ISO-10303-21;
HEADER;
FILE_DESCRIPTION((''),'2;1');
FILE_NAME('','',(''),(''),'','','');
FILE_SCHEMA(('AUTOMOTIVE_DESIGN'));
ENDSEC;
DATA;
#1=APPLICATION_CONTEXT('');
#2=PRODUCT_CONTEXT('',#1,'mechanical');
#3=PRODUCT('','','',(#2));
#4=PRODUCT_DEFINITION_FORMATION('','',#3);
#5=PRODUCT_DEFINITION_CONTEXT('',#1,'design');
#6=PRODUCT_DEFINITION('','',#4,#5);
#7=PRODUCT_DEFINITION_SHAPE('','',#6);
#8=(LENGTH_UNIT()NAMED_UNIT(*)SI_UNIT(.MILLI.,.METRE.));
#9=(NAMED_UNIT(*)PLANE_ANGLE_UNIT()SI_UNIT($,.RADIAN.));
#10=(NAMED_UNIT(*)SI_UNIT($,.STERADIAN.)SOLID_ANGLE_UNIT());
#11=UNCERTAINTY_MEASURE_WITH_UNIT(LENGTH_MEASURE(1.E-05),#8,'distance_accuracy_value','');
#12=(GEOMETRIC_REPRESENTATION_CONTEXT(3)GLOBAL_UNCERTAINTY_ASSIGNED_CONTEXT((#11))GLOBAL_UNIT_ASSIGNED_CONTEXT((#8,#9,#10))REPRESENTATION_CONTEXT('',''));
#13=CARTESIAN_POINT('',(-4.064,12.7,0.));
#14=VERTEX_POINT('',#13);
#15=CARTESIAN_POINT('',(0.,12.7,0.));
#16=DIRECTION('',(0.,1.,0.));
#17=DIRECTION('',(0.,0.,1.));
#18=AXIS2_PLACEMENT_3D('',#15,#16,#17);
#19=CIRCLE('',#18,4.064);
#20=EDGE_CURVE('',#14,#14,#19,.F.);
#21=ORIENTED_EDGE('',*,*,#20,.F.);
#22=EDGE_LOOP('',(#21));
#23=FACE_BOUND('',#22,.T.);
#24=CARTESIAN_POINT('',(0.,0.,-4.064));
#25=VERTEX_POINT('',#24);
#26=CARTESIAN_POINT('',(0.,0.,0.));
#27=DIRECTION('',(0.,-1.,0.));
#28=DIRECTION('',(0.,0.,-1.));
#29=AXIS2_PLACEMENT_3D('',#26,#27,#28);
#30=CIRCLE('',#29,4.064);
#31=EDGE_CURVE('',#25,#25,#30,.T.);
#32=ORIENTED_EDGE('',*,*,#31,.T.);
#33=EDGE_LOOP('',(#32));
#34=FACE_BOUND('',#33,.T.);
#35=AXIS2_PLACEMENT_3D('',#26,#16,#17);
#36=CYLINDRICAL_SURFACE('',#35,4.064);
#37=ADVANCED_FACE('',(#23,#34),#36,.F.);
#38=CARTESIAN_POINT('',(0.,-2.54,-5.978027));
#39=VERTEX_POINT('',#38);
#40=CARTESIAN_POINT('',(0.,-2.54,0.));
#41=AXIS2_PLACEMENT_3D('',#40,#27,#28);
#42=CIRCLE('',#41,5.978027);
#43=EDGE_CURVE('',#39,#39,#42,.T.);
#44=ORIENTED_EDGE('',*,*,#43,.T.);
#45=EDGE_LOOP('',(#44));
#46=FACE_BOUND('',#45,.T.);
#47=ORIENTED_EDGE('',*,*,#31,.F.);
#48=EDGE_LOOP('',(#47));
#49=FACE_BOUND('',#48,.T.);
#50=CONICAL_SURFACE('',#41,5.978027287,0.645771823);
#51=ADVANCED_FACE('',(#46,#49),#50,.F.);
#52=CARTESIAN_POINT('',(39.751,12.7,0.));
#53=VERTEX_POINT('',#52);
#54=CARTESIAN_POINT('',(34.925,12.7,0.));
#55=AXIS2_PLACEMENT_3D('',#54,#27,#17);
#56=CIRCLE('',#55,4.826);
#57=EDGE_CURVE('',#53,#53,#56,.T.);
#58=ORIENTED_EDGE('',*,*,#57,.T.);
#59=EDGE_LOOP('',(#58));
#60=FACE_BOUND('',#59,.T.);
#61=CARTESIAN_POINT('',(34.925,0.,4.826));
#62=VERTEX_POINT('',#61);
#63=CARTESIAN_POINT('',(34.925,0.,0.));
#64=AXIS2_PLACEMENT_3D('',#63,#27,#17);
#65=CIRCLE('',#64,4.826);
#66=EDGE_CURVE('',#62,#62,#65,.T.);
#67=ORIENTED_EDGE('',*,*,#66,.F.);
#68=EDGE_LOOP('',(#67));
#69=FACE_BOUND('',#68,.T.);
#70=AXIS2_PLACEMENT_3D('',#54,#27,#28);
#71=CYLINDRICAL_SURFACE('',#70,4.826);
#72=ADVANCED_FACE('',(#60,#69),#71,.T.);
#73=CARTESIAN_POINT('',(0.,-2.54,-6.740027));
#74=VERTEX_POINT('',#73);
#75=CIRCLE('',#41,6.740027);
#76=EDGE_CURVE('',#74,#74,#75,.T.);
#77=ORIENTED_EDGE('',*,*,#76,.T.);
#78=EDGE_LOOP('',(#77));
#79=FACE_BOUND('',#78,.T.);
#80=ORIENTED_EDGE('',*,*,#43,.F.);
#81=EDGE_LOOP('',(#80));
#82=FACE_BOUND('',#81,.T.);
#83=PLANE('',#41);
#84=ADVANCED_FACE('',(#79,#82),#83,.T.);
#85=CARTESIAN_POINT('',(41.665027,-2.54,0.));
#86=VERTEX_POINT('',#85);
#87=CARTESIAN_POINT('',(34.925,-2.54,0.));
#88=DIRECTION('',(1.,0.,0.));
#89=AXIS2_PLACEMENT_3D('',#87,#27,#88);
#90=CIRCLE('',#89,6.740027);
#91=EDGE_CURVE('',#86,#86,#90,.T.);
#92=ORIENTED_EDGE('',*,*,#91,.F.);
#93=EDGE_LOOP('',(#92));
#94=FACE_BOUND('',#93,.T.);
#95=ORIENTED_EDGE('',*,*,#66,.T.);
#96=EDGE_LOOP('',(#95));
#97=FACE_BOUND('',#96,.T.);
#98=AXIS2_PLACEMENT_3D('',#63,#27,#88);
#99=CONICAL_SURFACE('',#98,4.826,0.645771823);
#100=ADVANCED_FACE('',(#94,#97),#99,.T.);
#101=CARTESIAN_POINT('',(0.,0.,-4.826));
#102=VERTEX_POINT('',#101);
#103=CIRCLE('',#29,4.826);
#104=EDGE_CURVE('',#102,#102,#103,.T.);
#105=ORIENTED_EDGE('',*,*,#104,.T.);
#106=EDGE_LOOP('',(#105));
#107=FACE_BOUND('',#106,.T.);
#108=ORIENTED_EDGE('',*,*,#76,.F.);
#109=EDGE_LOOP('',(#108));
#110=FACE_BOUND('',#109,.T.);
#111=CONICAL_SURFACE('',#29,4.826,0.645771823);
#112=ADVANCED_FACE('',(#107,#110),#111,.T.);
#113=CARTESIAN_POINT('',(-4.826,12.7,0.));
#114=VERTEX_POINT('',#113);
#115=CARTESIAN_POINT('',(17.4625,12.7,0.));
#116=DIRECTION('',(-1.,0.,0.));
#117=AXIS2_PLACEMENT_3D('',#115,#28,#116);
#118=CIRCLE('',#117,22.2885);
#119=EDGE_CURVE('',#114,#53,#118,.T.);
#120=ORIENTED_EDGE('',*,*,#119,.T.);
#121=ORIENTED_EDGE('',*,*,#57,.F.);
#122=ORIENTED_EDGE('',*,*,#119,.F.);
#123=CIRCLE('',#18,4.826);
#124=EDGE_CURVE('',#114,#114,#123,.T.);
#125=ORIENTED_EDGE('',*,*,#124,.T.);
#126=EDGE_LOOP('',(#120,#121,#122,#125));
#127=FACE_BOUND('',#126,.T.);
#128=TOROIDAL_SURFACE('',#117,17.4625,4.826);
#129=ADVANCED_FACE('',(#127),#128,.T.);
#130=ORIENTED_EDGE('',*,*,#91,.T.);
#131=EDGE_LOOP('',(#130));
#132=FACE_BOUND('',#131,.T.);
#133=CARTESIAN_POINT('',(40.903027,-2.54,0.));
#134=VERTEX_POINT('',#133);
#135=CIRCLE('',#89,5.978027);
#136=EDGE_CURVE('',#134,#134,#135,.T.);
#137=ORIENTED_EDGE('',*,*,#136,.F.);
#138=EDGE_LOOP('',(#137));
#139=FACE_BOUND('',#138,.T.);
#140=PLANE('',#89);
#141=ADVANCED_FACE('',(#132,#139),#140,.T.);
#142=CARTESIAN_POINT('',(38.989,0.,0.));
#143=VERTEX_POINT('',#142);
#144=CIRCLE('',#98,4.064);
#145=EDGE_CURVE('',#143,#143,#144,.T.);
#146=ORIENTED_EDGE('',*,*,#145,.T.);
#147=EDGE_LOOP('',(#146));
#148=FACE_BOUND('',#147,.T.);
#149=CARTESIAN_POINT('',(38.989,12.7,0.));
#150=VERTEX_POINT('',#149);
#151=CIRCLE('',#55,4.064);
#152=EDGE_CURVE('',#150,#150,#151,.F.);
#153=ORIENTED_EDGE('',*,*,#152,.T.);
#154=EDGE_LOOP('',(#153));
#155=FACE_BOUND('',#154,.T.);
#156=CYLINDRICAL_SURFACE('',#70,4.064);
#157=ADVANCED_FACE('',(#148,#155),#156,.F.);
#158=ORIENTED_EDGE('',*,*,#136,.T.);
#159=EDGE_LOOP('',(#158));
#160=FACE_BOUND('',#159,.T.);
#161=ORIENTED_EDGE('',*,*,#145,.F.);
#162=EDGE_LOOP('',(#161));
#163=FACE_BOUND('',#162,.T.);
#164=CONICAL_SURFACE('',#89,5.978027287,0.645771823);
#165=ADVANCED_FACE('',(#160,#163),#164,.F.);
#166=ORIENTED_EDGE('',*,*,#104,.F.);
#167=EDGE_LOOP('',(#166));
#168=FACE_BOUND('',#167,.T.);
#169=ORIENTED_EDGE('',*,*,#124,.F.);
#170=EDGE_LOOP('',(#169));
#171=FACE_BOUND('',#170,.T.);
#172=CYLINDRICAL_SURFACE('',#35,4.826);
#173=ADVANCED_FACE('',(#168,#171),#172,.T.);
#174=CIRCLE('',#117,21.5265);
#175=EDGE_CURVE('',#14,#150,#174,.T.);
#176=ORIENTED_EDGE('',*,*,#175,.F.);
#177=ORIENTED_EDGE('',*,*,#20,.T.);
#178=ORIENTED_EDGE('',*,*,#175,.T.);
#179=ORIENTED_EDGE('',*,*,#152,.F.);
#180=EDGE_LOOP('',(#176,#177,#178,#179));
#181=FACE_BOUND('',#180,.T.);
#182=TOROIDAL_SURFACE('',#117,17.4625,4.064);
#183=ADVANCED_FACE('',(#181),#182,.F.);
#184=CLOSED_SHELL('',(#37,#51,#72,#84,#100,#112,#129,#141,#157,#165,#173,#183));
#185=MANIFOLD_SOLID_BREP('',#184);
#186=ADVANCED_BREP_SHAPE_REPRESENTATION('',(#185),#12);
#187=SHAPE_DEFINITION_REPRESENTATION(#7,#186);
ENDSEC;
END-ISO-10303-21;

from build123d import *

# Parameters (mm, degrees)
SKETCH1_R           = 4.826
SKETCH1_R_2         = 4.064
SKETCH3_R           = 4.826
BOSS_EXTRUDE1_DEPTH = 2.54
BOSS_EXTRUDE1_DRAFT = -37
SKETCH5_R           = 4.826
BOSS_EXTRUDE2_DEPTH = 2.54
BOSS_EXTRUDE2_DRAFT = -37


with BuildPart() as part:
    # Sweep1: sweep along a path in Sketch2
    with BuildLine(Plane.XY) as sweep1_path:
        Line((0, 0), (0, 12.7))
        ThreePointArc((0, 12.7), (17.4625, 30.1625), (34.925, 12.7))
        Line((34.925, 12.7), (34.925, 0))
    # Sketch1 → Sweep1 (sweep)
    with BuildSketch(Plane(origin=(0, 0, 0), x_dir=(1, 0, 0), z_dir=(0, 1, 0))):
        Circle(SKETCH1_R)
        Circle(SKETCH1_R_2, mode=Mode.SUBTRACT)
    sweep(path=sweep1_path.line)


with BuildPart() as boss_extrude1_tool:
    # Sketch3 → Boss-Extrude1 (with draft: the straight prism first)
    with BuildSketch(Plane.XZ):
        with Locations(Location((0, 0, 0), (0, 0, 180))):
            Circle(SKETCH3_R)
    extrude(amount=BOSS_EXTRUDE1_DEPTH)
    # Boss-Extrude1: the draft: its side faces are tilted about the plane it starts from
    boss_extrude1_sides = [boss_extrude1_tool.faces().sort_by_distance(p)[0] for p in [
        (4.826, -1.27, 0),
    ]]
    draft(boss_extrude1_sides, Plane.XZ, BOSS_EXTRUDE1_DRAFT)


with BuildPart() as part_1:
    add(part.part)

    # Boss-Extrude1: add boss_extrude1_tool
    add(boss_extrude1_tool.part)

    # Cut-Extrude1 cone 1 section (through the dimple's axis) → Cut-Extrude1 (revolve, cut)
    with BuildSketch(Plane(origin=(0, -2.54, 0), x_dir=(0, 0, -1), z_dir=(1, 0, 0))):
        Polygon((0, 0), (5.978027287, 0), (0, 7.933110155), align=None)
    revolve(axis=Axis((0, -2.54, 0), (0, 1, 0)), mode=Mode.SUBTRACT)


with BuildPart() as boss_extrude2_tool:
    # Sketch5 → Boss-Extrude2 (with draft: the straight prism first)
    with BuildSketch(Plane(origin=(0, 0, 0), x_dir=(0, 0, -1), z_dir=(0, -1, 0))):
        with Locations(Location((0, 34.925, 0), (0, 0, 90))):
            Circle(SKETCH5_R)
    extrude(amount=BOSS_EXTRUDE2_DEPTH)
    # Boss-Extrude2: the draft: its side faces are tilted about the plane it starts from
    boss_extrude2_sides = [boss_extrude2_tool.faces().sort_by_distance(p)[0] for p in [
        (30.099, -1.27, 0),
    ]]
    draft(boss_extrude2_sides, Plane(origin=(0, 0, 0), x_dir=(0, 0, -1), z_dir=(0, -1, 0)), BOSS_EXTRUDE2_DRAFT)


with BuildPart() as part_2:
    add(part_1.part)

    # Boss-Extrude2: add boss_extrude2_tool
    add(boss_extrude2_tool.part)

    # Cut-Extrude2 cone 1 section (through the dimple's axis) → Cut-Extrude2 (revolve, cut)
    with BuildSketch(Plane(origin=(34.925, -2.54, 0), x_dir=(0, 0, -1), z_dir=(1, 0, 0))):
        Polygon((0, 0), (5.978027287, 0), (0, 7.933110155), align=None)
    revolve(axis=Axis((34.925, -2.54, 0), (0, 1, 0)), mode=Mode.SUBTRACT)


solid = part_2.part
